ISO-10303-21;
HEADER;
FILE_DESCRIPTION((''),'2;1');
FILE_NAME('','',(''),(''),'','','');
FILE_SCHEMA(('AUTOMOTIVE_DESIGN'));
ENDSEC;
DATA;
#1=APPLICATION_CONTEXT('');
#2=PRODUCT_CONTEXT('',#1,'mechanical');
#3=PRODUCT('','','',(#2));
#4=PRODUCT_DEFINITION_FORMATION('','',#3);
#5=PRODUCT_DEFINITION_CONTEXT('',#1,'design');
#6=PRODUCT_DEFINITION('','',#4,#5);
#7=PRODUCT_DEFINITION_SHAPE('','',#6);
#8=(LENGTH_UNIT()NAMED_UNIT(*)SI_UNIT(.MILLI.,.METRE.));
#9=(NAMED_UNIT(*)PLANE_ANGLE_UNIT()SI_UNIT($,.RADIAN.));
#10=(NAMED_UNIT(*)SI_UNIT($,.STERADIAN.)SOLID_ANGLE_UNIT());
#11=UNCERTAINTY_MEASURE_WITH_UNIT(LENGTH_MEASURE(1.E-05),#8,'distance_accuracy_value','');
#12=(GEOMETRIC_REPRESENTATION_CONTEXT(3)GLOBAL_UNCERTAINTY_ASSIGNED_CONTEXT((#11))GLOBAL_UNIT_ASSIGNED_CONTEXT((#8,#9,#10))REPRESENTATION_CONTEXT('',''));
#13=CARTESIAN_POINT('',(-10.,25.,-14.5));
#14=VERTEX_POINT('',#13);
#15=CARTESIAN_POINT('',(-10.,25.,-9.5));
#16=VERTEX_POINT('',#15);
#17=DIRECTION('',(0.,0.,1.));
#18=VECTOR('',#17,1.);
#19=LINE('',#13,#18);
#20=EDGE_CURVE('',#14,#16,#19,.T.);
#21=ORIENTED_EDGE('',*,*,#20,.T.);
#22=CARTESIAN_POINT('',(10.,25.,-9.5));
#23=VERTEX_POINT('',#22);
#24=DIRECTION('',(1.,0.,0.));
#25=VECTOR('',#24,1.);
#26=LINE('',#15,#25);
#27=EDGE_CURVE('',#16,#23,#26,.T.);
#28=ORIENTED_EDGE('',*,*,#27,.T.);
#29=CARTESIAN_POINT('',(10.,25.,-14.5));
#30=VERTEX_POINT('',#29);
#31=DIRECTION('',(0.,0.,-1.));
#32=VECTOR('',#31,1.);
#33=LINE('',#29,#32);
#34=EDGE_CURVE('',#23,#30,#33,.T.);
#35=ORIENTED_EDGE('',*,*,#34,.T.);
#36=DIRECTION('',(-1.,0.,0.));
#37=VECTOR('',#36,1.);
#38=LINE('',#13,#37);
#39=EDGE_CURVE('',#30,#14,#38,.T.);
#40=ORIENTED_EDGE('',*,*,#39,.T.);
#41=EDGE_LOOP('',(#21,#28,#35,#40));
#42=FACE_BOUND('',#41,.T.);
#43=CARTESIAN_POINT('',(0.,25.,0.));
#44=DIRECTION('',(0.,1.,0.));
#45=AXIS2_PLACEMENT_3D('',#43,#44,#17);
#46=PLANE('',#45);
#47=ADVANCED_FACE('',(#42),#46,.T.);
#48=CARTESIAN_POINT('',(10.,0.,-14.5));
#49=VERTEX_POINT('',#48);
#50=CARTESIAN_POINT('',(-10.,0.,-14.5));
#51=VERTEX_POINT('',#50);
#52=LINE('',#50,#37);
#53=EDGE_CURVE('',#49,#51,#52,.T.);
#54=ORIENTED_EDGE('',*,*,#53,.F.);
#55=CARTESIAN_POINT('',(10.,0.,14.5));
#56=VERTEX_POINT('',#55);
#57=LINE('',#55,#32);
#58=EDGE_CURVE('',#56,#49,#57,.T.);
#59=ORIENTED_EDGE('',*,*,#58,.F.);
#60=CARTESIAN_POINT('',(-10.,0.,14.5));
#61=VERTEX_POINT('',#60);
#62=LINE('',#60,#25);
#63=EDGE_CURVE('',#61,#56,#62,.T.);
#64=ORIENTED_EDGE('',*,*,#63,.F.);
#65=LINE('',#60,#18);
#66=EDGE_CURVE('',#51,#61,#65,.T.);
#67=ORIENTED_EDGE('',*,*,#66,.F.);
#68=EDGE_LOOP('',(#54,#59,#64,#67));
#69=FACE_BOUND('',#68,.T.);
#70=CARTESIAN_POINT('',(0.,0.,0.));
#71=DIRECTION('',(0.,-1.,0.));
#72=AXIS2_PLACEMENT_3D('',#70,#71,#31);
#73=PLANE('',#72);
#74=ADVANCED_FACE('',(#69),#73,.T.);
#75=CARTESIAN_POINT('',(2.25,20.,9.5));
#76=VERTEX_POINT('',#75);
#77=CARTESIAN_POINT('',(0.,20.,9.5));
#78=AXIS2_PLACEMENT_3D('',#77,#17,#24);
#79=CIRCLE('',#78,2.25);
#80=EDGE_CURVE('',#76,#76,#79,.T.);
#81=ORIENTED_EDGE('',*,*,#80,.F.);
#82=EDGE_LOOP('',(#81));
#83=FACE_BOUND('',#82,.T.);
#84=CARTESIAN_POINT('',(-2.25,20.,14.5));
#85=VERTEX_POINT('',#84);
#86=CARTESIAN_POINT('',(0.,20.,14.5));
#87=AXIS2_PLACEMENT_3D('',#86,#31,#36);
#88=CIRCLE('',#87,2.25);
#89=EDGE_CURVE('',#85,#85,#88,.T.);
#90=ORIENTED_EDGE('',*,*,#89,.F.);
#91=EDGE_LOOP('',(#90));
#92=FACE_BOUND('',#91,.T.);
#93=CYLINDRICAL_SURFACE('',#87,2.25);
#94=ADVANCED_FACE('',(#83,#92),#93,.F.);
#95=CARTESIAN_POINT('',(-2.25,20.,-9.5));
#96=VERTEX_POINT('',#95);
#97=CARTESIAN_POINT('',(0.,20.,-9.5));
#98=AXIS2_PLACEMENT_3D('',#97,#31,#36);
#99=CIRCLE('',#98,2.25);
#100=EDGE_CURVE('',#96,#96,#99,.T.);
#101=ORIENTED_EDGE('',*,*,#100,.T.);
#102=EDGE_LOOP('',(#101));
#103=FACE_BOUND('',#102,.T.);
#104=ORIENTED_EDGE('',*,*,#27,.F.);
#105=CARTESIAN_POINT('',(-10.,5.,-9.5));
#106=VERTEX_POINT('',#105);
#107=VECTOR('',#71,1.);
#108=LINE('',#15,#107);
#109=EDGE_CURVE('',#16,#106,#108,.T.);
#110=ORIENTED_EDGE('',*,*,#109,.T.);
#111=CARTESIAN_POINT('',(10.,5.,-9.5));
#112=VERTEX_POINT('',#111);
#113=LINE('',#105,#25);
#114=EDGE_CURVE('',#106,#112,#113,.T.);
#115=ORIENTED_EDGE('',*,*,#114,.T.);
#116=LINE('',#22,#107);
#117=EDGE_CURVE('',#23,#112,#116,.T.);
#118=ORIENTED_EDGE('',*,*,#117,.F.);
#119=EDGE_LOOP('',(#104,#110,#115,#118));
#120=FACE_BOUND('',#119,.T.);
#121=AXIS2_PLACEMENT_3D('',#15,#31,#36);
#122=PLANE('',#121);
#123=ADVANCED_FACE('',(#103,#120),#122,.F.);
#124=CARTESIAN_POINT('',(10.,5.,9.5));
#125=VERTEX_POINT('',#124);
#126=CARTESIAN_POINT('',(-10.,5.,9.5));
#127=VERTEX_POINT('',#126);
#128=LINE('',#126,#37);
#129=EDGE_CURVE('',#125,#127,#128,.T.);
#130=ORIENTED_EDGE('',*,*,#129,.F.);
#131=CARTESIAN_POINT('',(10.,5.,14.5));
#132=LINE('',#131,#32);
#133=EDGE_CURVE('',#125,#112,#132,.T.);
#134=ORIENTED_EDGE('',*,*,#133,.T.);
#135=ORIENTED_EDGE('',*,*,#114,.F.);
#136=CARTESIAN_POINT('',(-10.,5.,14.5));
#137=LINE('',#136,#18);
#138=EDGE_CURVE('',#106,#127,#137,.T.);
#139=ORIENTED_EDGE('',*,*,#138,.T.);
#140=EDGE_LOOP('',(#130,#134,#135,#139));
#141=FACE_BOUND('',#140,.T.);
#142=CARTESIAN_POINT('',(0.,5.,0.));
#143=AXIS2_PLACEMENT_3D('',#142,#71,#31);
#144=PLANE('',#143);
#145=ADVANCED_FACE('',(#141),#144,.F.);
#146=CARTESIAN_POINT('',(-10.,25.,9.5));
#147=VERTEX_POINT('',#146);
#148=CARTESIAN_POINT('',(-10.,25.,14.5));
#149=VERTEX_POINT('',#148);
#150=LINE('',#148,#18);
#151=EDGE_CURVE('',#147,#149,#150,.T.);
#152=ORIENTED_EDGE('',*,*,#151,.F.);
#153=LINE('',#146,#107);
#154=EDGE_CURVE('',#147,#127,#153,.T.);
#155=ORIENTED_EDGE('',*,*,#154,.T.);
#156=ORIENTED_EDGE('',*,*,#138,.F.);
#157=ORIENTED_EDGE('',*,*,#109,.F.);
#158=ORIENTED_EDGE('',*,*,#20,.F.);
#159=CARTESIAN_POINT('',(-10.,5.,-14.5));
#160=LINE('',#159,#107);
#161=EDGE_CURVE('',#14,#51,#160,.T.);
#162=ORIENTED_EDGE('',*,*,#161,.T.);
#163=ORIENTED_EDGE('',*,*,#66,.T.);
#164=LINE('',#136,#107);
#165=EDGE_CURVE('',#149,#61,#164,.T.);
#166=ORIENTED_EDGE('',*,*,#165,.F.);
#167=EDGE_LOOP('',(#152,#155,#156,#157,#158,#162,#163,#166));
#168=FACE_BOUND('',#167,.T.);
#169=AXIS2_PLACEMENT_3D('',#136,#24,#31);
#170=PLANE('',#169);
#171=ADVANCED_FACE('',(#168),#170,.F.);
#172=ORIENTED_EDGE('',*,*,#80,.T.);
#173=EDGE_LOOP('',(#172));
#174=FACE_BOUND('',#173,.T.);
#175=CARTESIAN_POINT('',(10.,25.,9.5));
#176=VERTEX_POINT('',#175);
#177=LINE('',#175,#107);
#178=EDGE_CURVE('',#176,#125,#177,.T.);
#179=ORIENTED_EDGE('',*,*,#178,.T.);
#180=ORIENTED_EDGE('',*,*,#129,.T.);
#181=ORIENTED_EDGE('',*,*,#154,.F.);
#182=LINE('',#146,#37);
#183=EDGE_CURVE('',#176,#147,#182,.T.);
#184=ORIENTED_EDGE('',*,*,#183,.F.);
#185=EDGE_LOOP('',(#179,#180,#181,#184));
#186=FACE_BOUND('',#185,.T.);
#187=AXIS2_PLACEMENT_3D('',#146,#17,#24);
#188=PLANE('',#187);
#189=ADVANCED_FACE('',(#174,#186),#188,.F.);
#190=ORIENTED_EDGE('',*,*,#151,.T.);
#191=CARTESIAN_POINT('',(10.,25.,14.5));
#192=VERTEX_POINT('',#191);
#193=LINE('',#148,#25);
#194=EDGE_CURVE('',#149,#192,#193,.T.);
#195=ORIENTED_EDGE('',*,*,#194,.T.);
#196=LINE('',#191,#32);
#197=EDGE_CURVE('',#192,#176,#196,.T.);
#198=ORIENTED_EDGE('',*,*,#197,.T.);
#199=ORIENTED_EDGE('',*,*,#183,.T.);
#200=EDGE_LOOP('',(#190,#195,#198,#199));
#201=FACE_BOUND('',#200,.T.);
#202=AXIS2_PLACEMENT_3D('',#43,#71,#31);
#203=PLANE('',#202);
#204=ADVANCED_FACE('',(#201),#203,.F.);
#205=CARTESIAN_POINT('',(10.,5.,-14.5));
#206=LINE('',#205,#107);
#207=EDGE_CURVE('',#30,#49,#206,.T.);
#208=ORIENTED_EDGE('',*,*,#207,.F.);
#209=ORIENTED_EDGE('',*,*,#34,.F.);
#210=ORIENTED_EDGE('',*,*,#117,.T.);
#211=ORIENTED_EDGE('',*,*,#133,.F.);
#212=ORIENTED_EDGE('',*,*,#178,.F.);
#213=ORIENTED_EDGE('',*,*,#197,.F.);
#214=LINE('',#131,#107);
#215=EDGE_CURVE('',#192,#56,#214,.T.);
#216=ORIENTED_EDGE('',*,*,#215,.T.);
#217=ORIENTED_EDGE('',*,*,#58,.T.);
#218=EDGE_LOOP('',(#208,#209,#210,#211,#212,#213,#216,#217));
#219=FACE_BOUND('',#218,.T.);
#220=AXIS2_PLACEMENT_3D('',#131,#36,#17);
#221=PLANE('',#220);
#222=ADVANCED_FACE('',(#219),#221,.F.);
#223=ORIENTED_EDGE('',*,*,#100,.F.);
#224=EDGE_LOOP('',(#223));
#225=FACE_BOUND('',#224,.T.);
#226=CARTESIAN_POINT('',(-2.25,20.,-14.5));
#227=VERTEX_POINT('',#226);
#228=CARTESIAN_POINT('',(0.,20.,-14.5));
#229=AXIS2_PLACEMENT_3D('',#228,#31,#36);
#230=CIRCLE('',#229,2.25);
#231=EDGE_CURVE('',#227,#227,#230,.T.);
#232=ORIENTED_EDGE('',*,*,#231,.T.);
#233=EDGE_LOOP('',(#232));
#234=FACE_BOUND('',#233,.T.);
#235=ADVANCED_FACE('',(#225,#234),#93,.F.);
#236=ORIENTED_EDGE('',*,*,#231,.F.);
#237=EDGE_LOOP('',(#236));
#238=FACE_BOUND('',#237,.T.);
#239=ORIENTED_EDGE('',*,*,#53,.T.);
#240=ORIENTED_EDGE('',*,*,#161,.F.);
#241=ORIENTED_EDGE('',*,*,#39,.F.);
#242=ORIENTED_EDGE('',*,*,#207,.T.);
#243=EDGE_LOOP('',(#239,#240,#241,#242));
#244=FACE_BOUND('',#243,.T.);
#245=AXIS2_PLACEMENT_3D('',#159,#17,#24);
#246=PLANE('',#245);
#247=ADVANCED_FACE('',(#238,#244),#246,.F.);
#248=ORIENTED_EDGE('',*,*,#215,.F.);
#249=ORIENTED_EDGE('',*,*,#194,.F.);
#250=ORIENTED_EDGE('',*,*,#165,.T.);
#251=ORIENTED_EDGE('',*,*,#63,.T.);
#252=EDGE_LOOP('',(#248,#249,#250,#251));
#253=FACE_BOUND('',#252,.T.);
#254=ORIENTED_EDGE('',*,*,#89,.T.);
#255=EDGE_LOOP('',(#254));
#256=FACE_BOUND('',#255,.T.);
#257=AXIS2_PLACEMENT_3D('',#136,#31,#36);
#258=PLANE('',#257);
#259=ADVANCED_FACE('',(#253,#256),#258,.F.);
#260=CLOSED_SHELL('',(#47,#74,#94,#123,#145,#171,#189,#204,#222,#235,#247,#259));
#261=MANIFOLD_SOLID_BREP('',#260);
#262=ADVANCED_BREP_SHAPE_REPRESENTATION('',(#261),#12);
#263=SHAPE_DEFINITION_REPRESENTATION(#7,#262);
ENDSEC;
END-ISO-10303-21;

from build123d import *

# Parameters (mm, degrees)
SKETCH1_W           = 20
SKETCH1_H           = 29
BOSS_EXTRUDE1_DEPTH = 5
SKETCH2_W           = 20
SKETCH2_H           = 5
BOSS_EXTRUDE2_DEPTH = 20
SKETCH3_R           = 2.25
CUT_EXTRUDE1_DEPTH  = 40.572717875


with BuildPart() as part:
    # Sketch1 → Boss-Extrude1 (new body)
    with BuildSketch(Plane(origin=(0, 0, 0), x_dir=(1, 0, 0), z_dir=(0, 1, 0))):
        Rectangle(SKETCH1_W, SKETCH1_H)
    extrude(amount=BOSS_EXTRUDE1_DEPTH)

    # Sketch2 → Boss-Extrude2 (add)
    with BuildSketch(Plane(origin=(0, 5, 0), x_dir=(1, 0, 0), z_dir=(0, 1, 0))):
        with Locations((0, 12)):
            Rectangle(SKETCH2_W, SKETCH2_H)
        with Locations((0, -12)):
            Rectangle(SKETCH2_W, SKETCH2_H)
    extrude(amount=BOSS_EXTRUDE2_DEPTH)

    # Sketch3 → Cut-Extrude1 (cut, through all)
    with BuildSketch(Plane(origin=(0, 0, -14.5), x_dir=(-1, 0, 0), z_dir=(0, 0, -1))):
        with Locations((0, 20)):
            Circle(SKETCH3_R)
    extrude(amount=-CUT_EXTRUDE1_DEPTH, mode=Mode.SUBTRACT)


solid = part.part
